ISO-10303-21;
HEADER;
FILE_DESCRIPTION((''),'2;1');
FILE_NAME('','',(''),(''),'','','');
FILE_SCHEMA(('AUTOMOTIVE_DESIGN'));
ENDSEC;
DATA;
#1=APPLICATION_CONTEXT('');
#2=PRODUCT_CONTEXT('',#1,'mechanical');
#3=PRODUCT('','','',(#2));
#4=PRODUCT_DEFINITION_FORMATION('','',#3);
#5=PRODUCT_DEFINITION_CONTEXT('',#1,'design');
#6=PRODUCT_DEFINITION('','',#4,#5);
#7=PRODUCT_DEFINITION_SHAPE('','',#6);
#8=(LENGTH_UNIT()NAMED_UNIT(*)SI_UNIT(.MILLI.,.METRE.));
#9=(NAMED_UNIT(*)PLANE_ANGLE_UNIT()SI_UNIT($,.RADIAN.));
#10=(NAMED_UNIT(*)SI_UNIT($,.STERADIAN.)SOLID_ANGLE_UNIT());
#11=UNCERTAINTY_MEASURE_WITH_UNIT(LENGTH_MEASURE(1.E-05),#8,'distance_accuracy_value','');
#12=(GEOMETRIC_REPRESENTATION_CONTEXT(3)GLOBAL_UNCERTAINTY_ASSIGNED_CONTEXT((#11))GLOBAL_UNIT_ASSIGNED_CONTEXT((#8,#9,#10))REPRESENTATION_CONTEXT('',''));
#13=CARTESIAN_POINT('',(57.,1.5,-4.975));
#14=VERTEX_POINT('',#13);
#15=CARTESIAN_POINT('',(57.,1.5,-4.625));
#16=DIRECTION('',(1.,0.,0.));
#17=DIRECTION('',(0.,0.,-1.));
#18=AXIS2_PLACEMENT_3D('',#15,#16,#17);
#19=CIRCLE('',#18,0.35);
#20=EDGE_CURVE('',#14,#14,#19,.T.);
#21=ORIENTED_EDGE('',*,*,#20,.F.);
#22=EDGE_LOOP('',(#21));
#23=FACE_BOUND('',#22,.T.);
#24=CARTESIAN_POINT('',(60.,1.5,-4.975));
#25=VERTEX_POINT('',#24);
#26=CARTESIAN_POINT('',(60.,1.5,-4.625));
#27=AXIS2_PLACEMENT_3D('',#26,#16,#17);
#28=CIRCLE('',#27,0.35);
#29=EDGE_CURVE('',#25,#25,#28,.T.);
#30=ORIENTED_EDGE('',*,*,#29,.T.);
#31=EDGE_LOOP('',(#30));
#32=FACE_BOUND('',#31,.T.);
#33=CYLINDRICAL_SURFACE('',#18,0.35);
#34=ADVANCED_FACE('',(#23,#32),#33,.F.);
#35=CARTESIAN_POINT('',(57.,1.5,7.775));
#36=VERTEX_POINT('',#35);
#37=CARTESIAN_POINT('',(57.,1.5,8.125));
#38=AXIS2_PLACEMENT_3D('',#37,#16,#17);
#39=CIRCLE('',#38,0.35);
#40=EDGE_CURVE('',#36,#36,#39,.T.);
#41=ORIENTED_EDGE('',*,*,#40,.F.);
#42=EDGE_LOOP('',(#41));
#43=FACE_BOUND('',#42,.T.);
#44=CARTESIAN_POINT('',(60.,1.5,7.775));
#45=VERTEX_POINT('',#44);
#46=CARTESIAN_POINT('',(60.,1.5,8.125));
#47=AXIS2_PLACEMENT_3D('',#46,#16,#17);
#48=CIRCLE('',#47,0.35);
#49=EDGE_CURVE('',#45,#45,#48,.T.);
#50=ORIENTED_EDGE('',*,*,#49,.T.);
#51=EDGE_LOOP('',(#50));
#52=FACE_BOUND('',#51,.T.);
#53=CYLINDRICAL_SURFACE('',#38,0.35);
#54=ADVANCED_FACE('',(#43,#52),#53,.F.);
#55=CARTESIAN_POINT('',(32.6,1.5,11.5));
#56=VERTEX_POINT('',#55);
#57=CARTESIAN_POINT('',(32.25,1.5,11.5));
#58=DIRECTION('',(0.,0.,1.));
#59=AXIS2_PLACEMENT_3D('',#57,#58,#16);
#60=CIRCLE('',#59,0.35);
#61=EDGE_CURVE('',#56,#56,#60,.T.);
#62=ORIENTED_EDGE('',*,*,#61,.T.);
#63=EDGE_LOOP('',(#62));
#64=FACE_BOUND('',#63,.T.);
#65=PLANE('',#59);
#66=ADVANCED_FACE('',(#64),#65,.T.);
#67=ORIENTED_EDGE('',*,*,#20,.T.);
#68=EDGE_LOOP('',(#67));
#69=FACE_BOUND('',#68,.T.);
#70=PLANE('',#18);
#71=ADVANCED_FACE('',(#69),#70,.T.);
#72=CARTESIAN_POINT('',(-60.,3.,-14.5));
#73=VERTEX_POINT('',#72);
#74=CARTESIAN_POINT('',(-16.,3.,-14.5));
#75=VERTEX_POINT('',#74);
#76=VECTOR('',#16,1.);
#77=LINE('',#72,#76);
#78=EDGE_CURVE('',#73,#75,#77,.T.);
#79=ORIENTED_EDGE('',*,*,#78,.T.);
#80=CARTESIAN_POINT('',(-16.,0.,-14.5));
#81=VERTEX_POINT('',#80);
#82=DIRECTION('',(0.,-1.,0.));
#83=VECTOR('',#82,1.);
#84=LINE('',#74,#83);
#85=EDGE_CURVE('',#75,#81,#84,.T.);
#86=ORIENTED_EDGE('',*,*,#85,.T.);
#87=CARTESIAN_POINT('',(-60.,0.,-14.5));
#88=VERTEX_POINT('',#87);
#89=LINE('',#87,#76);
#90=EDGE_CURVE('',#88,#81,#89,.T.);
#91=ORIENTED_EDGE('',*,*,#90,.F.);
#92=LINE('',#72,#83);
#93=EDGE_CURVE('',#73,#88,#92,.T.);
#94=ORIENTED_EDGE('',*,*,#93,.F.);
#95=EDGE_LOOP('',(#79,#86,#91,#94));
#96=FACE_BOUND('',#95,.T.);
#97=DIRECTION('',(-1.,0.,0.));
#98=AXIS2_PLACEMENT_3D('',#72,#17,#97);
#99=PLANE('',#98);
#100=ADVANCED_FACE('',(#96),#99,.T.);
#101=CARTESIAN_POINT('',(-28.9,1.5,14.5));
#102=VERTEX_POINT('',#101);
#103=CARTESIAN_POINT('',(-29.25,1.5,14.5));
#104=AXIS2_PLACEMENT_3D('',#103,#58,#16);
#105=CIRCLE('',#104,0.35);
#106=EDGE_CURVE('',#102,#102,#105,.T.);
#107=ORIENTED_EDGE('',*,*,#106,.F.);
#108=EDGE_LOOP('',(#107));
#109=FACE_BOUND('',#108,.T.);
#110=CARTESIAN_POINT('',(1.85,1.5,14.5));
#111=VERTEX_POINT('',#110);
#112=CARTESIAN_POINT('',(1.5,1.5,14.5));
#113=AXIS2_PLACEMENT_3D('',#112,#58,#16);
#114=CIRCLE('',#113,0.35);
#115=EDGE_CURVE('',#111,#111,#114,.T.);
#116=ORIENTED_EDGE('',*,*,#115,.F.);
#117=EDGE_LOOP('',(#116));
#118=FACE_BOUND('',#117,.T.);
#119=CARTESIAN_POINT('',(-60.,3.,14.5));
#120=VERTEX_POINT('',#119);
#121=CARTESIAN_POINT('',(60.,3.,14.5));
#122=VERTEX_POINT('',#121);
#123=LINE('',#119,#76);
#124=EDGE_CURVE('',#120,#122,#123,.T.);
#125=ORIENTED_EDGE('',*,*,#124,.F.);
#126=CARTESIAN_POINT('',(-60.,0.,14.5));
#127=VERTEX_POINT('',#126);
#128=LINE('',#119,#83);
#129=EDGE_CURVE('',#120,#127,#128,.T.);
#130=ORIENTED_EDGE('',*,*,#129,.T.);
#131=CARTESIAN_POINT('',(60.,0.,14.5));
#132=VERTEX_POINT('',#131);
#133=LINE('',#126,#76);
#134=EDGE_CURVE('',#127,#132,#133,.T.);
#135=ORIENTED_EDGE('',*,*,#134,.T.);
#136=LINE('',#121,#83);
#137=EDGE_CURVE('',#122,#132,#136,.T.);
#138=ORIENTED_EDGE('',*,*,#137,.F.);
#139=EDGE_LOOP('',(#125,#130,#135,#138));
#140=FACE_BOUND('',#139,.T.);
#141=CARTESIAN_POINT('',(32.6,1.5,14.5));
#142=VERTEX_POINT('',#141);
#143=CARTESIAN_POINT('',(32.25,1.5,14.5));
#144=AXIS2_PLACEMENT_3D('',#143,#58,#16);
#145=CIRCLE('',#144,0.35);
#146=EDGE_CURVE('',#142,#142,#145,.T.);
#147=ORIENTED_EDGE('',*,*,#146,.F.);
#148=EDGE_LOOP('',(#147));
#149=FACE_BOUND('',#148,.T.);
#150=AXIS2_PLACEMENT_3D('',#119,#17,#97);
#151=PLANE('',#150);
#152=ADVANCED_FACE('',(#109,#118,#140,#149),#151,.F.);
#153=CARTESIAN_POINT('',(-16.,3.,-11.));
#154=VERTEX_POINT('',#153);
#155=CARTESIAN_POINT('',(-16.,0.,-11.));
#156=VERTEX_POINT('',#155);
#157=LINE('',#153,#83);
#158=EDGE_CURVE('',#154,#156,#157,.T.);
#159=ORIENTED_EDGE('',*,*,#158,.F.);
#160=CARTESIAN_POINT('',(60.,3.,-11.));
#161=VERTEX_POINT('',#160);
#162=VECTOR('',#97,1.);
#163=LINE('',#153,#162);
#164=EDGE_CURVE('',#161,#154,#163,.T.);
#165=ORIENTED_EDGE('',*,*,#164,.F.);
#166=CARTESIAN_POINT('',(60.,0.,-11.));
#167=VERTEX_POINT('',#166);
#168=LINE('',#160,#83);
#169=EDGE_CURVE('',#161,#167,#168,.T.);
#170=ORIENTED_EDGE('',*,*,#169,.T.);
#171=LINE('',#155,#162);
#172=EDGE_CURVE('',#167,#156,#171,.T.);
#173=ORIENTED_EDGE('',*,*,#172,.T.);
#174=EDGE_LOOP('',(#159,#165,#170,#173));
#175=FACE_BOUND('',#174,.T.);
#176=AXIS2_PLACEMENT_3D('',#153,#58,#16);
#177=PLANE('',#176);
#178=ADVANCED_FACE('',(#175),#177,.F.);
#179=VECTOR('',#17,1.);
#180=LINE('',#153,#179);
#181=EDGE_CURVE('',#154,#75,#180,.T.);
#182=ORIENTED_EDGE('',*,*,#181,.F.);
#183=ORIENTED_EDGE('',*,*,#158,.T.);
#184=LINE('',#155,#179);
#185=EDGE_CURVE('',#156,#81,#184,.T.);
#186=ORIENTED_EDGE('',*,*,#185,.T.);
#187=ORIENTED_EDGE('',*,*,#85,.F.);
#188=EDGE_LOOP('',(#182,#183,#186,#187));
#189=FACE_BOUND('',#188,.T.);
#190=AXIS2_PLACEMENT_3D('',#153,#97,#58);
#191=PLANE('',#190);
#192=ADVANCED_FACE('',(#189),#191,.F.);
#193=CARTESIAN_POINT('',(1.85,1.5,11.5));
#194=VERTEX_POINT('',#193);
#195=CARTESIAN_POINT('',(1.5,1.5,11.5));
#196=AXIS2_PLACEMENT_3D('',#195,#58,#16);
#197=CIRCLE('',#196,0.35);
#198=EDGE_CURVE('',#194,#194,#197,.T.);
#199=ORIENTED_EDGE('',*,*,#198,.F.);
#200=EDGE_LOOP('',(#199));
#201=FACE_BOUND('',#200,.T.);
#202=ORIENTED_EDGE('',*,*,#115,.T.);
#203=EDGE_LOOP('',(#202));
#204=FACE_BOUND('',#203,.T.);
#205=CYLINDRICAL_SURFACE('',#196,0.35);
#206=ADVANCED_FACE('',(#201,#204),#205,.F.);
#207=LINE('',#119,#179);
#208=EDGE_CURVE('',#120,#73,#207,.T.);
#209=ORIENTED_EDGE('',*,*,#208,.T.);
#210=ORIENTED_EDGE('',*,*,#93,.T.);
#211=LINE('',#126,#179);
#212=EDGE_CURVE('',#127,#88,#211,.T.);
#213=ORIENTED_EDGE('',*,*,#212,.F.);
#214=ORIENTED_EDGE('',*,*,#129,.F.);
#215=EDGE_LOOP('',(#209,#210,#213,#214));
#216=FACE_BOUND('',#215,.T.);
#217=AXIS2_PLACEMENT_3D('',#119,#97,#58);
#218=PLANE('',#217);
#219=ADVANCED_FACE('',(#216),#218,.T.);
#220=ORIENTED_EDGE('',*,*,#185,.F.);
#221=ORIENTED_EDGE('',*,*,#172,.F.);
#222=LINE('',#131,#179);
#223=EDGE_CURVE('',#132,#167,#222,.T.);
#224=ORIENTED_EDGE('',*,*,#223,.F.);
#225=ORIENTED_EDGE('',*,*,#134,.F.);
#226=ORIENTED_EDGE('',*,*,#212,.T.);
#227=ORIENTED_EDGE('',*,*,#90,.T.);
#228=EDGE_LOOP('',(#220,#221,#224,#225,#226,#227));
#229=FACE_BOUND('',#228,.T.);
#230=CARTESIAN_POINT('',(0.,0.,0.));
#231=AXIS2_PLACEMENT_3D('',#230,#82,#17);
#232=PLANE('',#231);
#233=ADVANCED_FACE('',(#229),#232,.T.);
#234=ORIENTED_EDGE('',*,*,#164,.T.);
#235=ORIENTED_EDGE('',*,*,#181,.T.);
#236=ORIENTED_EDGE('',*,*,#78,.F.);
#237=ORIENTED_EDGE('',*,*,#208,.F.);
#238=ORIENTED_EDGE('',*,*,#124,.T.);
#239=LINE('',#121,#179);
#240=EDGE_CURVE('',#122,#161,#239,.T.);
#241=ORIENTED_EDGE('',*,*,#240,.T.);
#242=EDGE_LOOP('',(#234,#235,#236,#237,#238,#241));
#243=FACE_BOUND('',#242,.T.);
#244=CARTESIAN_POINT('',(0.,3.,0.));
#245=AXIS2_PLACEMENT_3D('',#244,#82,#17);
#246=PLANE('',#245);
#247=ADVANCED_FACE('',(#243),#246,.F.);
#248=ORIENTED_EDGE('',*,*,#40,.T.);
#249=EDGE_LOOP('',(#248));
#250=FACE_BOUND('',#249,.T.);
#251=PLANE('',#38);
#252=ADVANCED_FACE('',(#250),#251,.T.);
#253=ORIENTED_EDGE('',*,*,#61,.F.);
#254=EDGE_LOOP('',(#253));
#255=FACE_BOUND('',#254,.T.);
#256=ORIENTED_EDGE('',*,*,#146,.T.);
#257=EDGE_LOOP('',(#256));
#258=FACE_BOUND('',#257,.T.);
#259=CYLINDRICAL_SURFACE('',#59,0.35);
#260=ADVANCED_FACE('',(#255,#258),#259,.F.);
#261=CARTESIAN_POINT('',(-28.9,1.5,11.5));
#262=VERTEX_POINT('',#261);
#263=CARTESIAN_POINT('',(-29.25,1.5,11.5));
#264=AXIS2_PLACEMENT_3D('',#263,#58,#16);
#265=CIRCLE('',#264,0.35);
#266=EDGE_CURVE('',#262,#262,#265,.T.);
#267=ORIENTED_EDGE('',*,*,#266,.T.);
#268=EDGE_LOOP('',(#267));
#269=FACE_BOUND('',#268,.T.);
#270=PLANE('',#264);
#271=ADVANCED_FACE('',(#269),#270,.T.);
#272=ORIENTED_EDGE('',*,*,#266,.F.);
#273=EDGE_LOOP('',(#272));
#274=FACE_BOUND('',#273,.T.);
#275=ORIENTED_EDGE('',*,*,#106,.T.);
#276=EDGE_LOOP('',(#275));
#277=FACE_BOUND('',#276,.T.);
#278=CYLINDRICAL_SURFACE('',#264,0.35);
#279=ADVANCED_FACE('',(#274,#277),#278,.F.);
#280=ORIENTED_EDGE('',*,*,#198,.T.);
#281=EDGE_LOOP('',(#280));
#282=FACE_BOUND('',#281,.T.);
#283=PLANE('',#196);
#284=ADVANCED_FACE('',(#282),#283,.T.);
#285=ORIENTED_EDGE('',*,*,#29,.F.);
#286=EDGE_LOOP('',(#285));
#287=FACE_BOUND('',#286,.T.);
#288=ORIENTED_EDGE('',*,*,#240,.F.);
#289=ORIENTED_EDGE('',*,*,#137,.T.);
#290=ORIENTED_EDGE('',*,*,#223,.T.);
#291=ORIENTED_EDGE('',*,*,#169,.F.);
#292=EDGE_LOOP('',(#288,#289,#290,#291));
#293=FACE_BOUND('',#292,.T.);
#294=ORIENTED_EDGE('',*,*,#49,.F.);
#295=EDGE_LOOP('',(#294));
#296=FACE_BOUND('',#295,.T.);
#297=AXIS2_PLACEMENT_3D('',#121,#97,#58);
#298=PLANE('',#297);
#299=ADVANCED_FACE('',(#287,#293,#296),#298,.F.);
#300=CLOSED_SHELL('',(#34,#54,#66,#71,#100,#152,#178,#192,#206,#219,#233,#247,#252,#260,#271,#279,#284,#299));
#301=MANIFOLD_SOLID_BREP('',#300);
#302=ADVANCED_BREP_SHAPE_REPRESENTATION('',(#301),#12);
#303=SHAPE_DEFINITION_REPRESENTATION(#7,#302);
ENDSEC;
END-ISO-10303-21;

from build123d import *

# Parameters (mm, degrees)
SKETCH_1_W          = 120
SKETCH_1_H          = 29
EXTRUDE_1_DEPTH     = 3
SKETCH_2_W          = 76
SKETCH_2_H          = 3.5
CUT_EXTRUDE_1_DEPTH = 62.800080906
SKETCH_3_R          = 0.35
CUT_EXTRUDE_2_DEPTH = 3
SKETCH_5_R          = 0.35
CUT_EXTRUDE_3_DEPTH = 3


with BuildPart() as part:
    # 草图1 → 凸台-拉伸1 (new body)
    with BuildSketch(Plane(origin=(0, 0, 0), x_dir=(1, 0, 0), z_dir=(0, 1, 0))):
        Rectangle(SKETCH_1_W, SKETCH_1_H)
    extrude(amount=EXTRUDE_1_DEPTH)

    # 草图2 → 切除-拉伸1 (cut, through all)
    with BuildSketch(Plane.XZ):
        with Locations((22, -12.75)):
            Rectangle(SKETCH_2_W, SKETCH_2_H)
    extrude(amount=-CUT_EXTRUDE_1_DEPTH, mode=Mode.SUBTRACT)

    # 草图3 → 切除-拉伸2 (cut)
    with BuildSketch(Plane(origin=(60, 0, 0), x_dir=(0, 0, -1), z_dir=(1, 0, 0))):
        with Locations((-8.125, 1.5)):
            Circle(SKETCH_3_R)
        with Locations((4.625, 1.5)):
            Circle(SKETCH_3_R)
    extrude(amount=-CUT_EXTRUDE_2_DEPTH, mode=Mode.SUBTRACT)

    # 草图5 → 切除-拉伸3 (cut)
    with BuildSketch(Plane.XY.offset(14.5)):
        with Locations((-29.25, 1.5)):
            Circle(SKETCH_5_R)
        with Locations((1.5, 1.5)):
            Circle(SKETCH_5_R)
        with Locations((32.25, 1.5)):
            Circle(SKETCH_5_R)
    extrude(amount=-CUT_EXTRUDE_3_DEPTH, mode=Mode.SUBTRACT)


solid = part.part
